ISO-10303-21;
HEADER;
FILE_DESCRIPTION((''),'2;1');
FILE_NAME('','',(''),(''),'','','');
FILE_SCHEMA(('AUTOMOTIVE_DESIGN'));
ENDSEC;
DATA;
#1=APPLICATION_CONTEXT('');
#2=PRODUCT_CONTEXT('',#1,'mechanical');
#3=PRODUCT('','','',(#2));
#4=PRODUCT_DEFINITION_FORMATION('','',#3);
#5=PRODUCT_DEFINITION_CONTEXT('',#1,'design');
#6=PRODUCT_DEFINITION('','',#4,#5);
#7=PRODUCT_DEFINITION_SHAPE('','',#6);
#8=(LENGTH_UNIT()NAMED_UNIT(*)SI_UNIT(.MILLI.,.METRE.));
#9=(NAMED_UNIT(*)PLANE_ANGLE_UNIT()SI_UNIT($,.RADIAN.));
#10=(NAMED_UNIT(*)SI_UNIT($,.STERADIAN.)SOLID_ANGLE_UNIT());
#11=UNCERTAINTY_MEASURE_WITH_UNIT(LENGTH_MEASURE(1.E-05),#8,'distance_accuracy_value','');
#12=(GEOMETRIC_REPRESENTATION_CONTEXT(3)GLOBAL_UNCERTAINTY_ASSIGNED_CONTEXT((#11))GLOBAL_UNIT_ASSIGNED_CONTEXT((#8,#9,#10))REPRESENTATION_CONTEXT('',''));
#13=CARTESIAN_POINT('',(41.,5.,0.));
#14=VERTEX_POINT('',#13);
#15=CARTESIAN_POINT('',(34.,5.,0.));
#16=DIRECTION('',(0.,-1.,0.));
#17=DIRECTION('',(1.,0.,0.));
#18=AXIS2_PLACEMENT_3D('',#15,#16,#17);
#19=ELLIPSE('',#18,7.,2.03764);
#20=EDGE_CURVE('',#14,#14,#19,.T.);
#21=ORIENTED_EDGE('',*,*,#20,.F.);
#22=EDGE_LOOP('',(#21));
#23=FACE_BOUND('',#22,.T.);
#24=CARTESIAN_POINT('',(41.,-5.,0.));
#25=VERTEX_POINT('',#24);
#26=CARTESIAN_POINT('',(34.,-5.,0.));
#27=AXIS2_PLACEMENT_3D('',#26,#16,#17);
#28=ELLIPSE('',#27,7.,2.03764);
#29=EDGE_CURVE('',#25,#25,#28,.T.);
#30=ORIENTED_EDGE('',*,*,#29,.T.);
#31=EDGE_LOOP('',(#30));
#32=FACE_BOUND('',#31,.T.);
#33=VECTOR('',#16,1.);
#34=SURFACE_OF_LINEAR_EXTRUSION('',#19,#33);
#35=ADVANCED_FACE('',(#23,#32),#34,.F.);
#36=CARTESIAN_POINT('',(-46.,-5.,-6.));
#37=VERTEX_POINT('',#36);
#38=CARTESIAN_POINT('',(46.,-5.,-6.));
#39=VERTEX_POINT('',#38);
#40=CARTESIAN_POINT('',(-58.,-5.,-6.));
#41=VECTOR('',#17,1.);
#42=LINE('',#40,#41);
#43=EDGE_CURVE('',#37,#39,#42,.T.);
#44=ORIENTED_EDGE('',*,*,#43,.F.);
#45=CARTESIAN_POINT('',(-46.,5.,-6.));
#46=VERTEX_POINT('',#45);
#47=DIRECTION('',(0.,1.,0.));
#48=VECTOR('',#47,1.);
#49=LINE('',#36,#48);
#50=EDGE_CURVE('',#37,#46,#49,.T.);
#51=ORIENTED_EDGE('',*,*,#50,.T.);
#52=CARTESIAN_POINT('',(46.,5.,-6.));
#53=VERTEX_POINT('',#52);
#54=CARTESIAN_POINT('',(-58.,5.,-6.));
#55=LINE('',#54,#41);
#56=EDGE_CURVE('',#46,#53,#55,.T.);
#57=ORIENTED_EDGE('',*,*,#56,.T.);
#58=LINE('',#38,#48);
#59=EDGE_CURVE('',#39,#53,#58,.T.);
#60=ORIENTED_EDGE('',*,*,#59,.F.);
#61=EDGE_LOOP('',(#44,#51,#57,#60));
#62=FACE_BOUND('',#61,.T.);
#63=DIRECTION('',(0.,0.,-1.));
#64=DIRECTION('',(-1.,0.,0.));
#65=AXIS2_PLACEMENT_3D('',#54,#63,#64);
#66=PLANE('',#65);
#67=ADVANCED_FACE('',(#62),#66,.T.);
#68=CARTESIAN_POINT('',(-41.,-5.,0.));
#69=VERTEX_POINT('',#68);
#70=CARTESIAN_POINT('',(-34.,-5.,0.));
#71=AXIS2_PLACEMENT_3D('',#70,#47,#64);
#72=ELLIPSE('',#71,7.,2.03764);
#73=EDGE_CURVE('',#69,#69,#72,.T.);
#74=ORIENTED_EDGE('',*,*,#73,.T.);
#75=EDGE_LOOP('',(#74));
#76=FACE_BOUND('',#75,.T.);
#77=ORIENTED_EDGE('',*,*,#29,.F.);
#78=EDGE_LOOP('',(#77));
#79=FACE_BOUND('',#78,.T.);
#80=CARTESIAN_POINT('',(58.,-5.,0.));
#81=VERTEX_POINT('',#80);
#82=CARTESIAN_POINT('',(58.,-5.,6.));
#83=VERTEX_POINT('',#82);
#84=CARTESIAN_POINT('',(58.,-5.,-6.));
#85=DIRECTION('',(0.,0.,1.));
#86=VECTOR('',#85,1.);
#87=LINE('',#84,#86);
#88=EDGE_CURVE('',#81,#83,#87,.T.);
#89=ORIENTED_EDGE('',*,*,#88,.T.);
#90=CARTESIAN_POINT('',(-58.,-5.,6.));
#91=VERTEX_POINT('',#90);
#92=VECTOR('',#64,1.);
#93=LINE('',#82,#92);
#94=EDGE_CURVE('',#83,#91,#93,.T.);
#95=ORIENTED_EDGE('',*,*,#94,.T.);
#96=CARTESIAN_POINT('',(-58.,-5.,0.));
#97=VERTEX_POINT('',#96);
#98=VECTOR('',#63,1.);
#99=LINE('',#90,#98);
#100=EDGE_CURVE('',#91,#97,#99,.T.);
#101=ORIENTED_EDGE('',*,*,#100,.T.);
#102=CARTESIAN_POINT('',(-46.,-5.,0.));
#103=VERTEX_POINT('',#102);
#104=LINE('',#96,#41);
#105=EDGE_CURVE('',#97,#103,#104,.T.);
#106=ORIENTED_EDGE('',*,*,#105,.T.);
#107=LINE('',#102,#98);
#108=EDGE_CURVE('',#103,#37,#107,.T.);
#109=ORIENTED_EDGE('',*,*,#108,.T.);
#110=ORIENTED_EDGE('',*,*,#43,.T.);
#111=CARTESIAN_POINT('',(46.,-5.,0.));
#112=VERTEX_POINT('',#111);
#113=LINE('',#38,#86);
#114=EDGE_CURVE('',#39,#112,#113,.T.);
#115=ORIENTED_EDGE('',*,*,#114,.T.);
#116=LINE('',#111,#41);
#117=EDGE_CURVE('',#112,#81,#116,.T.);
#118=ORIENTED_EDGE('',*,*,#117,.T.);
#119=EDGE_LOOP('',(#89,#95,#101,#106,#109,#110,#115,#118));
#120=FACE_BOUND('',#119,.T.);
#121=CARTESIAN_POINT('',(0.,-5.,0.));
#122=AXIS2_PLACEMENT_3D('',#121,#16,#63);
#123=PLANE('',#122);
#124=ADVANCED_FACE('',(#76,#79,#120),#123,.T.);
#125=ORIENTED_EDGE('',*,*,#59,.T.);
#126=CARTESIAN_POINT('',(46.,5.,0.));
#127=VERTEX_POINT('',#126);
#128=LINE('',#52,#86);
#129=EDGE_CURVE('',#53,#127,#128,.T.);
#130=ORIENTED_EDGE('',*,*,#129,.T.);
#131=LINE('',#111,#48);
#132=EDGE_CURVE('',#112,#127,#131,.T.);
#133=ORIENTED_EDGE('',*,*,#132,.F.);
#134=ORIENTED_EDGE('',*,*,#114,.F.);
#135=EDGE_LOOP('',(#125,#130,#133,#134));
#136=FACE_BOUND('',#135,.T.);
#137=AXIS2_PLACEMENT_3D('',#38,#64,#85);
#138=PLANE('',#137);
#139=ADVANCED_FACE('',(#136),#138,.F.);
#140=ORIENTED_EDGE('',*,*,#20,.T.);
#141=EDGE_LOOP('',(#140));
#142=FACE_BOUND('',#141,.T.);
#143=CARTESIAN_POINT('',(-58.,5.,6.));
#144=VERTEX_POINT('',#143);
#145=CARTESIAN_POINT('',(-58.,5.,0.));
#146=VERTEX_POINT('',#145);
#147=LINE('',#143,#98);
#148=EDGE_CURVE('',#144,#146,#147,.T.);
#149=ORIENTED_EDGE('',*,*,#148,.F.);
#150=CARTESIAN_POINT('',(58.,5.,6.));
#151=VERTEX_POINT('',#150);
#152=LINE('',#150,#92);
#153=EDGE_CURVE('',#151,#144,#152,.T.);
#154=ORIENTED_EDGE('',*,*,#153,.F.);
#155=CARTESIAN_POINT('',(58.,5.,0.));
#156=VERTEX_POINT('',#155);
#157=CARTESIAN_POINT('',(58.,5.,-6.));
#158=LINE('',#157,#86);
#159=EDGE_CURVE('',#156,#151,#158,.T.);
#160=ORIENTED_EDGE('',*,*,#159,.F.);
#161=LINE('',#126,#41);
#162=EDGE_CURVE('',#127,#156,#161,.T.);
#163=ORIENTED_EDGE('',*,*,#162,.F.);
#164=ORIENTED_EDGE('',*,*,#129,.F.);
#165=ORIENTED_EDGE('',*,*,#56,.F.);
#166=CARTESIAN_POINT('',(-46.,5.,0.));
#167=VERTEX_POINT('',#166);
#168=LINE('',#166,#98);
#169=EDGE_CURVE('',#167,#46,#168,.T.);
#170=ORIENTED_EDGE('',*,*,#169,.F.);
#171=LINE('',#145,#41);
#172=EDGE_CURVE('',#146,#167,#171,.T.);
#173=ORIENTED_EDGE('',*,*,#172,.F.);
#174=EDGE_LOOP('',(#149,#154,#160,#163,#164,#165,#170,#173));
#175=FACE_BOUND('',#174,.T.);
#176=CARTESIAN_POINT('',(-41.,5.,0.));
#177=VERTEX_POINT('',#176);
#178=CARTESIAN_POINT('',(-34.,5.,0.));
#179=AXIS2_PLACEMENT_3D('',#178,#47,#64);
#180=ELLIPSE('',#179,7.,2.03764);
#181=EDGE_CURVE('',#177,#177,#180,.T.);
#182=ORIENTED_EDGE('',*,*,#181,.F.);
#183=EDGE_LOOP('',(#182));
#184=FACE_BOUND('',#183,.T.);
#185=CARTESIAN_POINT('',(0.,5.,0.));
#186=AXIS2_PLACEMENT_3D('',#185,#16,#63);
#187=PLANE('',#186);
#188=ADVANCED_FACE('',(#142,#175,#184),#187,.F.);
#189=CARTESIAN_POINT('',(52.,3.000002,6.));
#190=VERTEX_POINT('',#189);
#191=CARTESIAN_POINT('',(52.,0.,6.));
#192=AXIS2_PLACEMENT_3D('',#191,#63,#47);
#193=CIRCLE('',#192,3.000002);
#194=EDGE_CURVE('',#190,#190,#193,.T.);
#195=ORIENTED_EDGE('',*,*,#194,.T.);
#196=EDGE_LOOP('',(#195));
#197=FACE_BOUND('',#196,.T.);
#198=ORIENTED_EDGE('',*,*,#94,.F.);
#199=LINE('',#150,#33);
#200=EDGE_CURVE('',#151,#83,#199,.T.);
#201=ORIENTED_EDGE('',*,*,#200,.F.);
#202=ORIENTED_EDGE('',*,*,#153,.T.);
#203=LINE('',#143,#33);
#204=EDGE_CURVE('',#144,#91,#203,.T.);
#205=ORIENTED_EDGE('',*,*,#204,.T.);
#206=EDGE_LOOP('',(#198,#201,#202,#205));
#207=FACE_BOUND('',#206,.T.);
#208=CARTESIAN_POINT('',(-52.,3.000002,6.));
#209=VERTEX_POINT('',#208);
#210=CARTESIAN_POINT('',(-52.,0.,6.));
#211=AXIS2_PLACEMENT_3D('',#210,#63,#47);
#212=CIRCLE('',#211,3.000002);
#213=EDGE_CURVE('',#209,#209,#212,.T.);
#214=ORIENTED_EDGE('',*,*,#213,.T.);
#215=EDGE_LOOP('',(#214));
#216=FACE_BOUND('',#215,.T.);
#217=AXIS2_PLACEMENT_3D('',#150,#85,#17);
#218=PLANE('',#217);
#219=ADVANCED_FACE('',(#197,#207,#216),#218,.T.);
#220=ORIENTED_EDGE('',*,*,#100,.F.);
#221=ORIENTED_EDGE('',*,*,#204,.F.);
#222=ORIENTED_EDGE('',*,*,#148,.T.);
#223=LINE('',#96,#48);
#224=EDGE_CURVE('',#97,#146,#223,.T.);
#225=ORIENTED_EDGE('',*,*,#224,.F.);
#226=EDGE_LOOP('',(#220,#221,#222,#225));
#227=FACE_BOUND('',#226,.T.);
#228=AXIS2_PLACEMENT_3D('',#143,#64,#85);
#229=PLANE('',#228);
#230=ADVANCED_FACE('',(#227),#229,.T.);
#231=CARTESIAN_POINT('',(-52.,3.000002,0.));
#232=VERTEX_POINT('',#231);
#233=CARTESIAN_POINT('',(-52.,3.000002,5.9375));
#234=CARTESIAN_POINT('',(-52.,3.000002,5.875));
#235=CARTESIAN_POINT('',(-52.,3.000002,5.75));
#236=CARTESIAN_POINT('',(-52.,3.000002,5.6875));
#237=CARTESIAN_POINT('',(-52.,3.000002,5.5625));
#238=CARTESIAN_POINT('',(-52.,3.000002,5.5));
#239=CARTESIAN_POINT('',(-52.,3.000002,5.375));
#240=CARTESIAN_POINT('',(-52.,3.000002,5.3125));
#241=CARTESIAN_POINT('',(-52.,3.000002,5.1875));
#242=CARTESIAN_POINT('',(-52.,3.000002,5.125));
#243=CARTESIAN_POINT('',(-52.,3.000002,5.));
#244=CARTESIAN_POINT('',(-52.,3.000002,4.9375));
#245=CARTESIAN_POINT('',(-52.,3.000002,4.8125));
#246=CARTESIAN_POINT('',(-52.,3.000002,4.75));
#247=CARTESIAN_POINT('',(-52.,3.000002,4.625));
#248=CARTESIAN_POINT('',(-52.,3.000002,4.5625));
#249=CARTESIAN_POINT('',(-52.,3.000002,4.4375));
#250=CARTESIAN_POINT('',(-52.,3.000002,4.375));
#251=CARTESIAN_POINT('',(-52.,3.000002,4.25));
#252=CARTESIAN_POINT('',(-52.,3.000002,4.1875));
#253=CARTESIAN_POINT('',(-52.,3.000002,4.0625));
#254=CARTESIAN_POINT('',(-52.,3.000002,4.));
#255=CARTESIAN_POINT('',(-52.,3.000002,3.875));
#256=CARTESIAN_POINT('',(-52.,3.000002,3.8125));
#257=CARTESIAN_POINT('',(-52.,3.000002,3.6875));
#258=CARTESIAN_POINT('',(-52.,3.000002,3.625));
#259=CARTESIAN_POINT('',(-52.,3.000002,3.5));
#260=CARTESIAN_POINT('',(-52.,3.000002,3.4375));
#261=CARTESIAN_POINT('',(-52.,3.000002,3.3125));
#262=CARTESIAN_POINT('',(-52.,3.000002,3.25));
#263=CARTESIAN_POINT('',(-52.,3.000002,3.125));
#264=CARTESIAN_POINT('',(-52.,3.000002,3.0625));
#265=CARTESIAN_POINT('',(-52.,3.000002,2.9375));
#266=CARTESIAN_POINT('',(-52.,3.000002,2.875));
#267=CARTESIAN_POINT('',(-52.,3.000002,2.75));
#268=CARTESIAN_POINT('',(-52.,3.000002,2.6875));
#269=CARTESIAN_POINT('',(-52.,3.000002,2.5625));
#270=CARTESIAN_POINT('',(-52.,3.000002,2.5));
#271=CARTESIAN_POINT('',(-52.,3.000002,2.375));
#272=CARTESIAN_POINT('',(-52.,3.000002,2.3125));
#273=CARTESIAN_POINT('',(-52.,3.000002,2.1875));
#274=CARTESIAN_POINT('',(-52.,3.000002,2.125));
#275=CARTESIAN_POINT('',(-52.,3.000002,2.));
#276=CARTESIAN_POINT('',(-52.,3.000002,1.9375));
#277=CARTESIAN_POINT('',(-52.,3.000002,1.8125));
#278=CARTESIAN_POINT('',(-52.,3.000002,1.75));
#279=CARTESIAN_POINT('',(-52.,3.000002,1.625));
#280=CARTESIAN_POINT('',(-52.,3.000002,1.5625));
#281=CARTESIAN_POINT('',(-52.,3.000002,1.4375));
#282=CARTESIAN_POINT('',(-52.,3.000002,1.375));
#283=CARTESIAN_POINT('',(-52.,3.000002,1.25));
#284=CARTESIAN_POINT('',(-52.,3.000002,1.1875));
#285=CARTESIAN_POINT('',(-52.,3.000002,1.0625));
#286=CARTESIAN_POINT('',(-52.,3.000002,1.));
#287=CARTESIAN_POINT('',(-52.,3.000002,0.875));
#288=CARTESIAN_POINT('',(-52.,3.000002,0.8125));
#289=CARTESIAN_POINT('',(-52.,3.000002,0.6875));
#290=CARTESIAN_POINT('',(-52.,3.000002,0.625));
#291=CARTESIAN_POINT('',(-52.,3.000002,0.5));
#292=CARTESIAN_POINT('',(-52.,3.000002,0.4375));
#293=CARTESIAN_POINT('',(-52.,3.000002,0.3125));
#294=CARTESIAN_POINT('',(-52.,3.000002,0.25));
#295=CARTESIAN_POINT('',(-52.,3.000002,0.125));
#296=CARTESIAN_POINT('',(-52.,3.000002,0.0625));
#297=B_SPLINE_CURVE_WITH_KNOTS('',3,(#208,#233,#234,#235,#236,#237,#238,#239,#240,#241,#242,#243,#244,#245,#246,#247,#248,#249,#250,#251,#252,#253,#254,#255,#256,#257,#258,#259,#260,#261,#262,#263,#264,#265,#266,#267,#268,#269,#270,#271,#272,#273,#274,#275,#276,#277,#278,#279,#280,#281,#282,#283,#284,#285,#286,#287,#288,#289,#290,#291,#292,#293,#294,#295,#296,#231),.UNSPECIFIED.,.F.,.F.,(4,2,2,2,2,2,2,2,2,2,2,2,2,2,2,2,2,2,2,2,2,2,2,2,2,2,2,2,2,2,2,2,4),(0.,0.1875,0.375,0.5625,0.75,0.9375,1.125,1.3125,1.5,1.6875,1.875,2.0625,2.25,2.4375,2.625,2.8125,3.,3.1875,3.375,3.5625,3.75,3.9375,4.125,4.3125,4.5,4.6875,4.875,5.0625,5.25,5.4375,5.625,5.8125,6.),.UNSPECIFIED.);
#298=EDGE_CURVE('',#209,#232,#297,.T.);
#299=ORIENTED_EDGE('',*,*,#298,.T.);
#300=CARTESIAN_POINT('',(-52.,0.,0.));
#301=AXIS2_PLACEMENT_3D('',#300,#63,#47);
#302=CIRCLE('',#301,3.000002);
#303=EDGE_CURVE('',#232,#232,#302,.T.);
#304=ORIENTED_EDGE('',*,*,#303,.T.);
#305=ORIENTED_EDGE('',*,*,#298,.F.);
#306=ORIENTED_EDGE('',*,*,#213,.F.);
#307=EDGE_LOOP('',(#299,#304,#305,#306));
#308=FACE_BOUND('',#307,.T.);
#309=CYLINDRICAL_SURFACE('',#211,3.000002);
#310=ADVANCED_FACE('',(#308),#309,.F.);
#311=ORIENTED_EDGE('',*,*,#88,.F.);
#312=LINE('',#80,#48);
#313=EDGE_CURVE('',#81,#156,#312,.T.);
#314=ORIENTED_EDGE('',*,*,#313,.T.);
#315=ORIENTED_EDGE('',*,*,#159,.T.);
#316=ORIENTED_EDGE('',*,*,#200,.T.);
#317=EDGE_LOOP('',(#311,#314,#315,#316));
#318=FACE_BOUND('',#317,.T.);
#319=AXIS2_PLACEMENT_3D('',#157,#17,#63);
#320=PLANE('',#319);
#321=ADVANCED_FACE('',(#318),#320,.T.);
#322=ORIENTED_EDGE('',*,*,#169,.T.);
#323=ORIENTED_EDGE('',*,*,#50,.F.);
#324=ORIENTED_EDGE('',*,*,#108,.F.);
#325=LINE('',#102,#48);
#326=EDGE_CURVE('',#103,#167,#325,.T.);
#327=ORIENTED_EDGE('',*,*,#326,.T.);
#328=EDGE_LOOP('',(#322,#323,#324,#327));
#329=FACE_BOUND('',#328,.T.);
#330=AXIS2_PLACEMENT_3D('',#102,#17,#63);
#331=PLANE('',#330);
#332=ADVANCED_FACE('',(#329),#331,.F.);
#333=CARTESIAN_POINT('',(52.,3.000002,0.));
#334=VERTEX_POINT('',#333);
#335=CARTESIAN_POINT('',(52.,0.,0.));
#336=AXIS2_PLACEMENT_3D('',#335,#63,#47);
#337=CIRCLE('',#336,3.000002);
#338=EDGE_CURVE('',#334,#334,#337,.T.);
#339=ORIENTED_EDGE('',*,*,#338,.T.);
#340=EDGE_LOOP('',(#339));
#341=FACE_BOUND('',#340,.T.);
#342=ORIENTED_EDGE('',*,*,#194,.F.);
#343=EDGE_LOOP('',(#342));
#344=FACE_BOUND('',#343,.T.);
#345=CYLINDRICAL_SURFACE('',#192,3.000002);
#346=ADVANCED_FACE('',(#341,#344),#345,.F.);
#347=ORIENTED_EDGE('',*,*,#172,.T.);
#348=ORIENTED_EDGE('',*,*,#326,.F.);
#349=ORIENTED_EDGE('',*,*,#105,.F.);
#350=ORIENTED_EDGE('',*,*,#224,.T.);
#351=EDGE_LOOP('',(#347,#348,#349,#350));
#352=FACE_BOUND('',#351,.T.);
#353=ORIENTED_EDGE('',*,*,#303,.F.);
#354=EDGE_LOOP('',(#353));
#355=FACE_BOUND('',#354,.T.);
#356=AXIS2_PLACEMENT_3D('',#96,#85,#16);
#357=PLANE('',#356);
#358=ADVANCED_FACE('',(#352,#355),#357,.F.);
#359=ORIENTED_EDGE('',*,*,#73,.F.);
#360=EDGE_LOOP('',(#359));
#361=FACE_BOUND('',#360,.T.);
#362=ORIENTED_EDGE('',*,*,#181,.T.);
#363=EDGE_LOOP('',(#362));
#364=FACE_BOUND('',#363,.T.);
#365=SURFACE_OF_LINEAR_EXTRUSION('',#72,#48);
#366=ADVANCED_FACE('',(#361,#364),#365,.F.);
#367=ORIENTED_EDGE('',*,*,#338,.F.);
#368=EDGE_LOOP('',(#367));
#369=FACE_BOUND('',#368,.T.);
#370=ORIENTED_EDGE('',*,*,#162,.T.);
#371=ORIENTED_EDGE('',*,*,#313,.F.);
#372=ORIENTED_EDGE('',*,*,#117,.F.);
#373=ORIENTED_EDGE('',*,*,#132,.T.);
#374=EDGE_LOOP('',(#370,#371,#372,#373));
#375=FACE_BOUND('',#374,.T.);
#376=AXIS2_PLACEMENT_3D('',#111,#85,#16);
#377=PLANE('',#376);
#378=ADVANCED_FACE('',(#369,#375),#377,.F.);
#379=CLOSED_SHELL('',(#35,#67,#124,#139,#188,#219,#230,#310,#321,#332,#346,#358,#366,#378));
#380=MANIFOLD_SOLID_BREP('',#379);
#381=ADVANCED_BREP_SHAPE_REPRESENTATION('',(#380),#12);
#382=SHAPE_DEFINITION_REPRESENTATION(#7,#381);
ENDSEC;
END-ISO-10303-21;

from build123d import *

# Parameters (mm, degrees)
SKETCH1_W           = 116
SKETCH1_H           = 12
BOSS_EXTRUDE1_DEPTH = 10
SKETCH2_W           = 12
SKETCH2_H           = 6
CUT_EXTRUDE1_DEPTH  = 60.160797831
SKETCH3_W           = 12
SKETCH3_H           = 6
CUT_EXTRUDE2_DEPTH  = 60.160797831
SKETCH4_RX          = 7
SKETCH4_RY          = 2.03764
CUT_EXTRUDE3_DEPTH  = 60.160797831
SKETCH5_R           = 3.000001601
CUT_EXTRUDE4_DEPTH  = 59.523499671
SKETCH6_R           = 3.000001601
CUT_EXTRUDE5_DEPTH  = 59.523499671
SKETCH7_RX          = 7
SKETCH7_RY          = 2.03764
CUT_EXTRUDE6_DEPTH  = 60.160797956


with BuildPart() as part:
    # Sketch1 → Boss-Extrude1 (new body)
    with BuildSketch(Plane.XZ.offset(5)):
        Rectangle(SKETCH1_W, SKETCH1_H)
    extrude(amount=-BOSS_EXTRUDE1_DEPTH)

    # Sketch2 → Cut-Extrude1 (cut, through all)
    with BuildSketch(Plane(origin=(0, 5, 0), x_dir=(-1, 0, 0), z_dir=(0, 1, 0))):
        with Locations((52, -3)):
            Rectangle(SKETCH2_W, SKETCH2_H)
    extrude(amount=-CUT_EXTRUDE1_DEPTH, mode=Mode.SUBTRACT)

    # Sketch3 → Cut-Extrude2 (cut, through all)
    with BuildSketch(Plane(origin=(0, 5, 0), x_dir=(-1, 0, 0), z_dir=(0, 1, 0))):
        with Locations((-52, -3)):
            Rectangle(SKETCH3_W, SKETCH3_H)
    extrude(amount=-CUT_EXTRUDE2_DEPTH, mode=Mode.SUBTRACT)

    # Sketch4 → Cut-Extrude3 (cut, through all)
    with BuildSketch(Plane.XZ.offset(5)):
        with Locations((34, 0)):
            Ellipse(SKETCH4_RX, SKETCH4_RY)
    extrude(amount=-CUT_EXTRUDE3_DEPTH, mode=Mode.SUBTRACT)

    # Sketch5 → Cut-Extrude4 (cut, through all)
    with BuildSketch(Plane(origin=(0, 0, 0), x_dir=(-1, 0, 0), z_dir=(0, 0, -1))):
        with Locations(Location((52, 0, 0), (0, 0, 90))):
            Circle(SKETCH5_R)
    extrude(amount=-CUT_EXTRUDE4_DEPTH, mode=Mode.SUBTRACT)

    # Sketch6 → Cut-Extrude5 (cut, through all)
    with BuildSketch(Plane(origin=(0, 0, 0), x_dir=(-1, 0, 0), z_dir=(0, 0, -1))):
        with Locations(Location((-52, 0, 0), (0, 0, 90))):
            Circle(SKETCH6_R)
    extrude(amount=-CUT_EXTRUDE5_DEPTH, mode=Mode.SUBTRACT)

    # Sketch7 → Cut-Extrude6 (cut, through all)
    with BuildSketch(Plane(origin=(0, 5, 0), x_dir=(-1, 0, 0), z_dir=(0, 1, 0))):
        with Locations((34, 0)):
            Ellipse(SKETCH7_RX, SKETCH7_RY)
    extrude(amount=-CUT_EXTRUDE6_DEPTH, mode=Mode.SUBTRACT)


solid = part.part
